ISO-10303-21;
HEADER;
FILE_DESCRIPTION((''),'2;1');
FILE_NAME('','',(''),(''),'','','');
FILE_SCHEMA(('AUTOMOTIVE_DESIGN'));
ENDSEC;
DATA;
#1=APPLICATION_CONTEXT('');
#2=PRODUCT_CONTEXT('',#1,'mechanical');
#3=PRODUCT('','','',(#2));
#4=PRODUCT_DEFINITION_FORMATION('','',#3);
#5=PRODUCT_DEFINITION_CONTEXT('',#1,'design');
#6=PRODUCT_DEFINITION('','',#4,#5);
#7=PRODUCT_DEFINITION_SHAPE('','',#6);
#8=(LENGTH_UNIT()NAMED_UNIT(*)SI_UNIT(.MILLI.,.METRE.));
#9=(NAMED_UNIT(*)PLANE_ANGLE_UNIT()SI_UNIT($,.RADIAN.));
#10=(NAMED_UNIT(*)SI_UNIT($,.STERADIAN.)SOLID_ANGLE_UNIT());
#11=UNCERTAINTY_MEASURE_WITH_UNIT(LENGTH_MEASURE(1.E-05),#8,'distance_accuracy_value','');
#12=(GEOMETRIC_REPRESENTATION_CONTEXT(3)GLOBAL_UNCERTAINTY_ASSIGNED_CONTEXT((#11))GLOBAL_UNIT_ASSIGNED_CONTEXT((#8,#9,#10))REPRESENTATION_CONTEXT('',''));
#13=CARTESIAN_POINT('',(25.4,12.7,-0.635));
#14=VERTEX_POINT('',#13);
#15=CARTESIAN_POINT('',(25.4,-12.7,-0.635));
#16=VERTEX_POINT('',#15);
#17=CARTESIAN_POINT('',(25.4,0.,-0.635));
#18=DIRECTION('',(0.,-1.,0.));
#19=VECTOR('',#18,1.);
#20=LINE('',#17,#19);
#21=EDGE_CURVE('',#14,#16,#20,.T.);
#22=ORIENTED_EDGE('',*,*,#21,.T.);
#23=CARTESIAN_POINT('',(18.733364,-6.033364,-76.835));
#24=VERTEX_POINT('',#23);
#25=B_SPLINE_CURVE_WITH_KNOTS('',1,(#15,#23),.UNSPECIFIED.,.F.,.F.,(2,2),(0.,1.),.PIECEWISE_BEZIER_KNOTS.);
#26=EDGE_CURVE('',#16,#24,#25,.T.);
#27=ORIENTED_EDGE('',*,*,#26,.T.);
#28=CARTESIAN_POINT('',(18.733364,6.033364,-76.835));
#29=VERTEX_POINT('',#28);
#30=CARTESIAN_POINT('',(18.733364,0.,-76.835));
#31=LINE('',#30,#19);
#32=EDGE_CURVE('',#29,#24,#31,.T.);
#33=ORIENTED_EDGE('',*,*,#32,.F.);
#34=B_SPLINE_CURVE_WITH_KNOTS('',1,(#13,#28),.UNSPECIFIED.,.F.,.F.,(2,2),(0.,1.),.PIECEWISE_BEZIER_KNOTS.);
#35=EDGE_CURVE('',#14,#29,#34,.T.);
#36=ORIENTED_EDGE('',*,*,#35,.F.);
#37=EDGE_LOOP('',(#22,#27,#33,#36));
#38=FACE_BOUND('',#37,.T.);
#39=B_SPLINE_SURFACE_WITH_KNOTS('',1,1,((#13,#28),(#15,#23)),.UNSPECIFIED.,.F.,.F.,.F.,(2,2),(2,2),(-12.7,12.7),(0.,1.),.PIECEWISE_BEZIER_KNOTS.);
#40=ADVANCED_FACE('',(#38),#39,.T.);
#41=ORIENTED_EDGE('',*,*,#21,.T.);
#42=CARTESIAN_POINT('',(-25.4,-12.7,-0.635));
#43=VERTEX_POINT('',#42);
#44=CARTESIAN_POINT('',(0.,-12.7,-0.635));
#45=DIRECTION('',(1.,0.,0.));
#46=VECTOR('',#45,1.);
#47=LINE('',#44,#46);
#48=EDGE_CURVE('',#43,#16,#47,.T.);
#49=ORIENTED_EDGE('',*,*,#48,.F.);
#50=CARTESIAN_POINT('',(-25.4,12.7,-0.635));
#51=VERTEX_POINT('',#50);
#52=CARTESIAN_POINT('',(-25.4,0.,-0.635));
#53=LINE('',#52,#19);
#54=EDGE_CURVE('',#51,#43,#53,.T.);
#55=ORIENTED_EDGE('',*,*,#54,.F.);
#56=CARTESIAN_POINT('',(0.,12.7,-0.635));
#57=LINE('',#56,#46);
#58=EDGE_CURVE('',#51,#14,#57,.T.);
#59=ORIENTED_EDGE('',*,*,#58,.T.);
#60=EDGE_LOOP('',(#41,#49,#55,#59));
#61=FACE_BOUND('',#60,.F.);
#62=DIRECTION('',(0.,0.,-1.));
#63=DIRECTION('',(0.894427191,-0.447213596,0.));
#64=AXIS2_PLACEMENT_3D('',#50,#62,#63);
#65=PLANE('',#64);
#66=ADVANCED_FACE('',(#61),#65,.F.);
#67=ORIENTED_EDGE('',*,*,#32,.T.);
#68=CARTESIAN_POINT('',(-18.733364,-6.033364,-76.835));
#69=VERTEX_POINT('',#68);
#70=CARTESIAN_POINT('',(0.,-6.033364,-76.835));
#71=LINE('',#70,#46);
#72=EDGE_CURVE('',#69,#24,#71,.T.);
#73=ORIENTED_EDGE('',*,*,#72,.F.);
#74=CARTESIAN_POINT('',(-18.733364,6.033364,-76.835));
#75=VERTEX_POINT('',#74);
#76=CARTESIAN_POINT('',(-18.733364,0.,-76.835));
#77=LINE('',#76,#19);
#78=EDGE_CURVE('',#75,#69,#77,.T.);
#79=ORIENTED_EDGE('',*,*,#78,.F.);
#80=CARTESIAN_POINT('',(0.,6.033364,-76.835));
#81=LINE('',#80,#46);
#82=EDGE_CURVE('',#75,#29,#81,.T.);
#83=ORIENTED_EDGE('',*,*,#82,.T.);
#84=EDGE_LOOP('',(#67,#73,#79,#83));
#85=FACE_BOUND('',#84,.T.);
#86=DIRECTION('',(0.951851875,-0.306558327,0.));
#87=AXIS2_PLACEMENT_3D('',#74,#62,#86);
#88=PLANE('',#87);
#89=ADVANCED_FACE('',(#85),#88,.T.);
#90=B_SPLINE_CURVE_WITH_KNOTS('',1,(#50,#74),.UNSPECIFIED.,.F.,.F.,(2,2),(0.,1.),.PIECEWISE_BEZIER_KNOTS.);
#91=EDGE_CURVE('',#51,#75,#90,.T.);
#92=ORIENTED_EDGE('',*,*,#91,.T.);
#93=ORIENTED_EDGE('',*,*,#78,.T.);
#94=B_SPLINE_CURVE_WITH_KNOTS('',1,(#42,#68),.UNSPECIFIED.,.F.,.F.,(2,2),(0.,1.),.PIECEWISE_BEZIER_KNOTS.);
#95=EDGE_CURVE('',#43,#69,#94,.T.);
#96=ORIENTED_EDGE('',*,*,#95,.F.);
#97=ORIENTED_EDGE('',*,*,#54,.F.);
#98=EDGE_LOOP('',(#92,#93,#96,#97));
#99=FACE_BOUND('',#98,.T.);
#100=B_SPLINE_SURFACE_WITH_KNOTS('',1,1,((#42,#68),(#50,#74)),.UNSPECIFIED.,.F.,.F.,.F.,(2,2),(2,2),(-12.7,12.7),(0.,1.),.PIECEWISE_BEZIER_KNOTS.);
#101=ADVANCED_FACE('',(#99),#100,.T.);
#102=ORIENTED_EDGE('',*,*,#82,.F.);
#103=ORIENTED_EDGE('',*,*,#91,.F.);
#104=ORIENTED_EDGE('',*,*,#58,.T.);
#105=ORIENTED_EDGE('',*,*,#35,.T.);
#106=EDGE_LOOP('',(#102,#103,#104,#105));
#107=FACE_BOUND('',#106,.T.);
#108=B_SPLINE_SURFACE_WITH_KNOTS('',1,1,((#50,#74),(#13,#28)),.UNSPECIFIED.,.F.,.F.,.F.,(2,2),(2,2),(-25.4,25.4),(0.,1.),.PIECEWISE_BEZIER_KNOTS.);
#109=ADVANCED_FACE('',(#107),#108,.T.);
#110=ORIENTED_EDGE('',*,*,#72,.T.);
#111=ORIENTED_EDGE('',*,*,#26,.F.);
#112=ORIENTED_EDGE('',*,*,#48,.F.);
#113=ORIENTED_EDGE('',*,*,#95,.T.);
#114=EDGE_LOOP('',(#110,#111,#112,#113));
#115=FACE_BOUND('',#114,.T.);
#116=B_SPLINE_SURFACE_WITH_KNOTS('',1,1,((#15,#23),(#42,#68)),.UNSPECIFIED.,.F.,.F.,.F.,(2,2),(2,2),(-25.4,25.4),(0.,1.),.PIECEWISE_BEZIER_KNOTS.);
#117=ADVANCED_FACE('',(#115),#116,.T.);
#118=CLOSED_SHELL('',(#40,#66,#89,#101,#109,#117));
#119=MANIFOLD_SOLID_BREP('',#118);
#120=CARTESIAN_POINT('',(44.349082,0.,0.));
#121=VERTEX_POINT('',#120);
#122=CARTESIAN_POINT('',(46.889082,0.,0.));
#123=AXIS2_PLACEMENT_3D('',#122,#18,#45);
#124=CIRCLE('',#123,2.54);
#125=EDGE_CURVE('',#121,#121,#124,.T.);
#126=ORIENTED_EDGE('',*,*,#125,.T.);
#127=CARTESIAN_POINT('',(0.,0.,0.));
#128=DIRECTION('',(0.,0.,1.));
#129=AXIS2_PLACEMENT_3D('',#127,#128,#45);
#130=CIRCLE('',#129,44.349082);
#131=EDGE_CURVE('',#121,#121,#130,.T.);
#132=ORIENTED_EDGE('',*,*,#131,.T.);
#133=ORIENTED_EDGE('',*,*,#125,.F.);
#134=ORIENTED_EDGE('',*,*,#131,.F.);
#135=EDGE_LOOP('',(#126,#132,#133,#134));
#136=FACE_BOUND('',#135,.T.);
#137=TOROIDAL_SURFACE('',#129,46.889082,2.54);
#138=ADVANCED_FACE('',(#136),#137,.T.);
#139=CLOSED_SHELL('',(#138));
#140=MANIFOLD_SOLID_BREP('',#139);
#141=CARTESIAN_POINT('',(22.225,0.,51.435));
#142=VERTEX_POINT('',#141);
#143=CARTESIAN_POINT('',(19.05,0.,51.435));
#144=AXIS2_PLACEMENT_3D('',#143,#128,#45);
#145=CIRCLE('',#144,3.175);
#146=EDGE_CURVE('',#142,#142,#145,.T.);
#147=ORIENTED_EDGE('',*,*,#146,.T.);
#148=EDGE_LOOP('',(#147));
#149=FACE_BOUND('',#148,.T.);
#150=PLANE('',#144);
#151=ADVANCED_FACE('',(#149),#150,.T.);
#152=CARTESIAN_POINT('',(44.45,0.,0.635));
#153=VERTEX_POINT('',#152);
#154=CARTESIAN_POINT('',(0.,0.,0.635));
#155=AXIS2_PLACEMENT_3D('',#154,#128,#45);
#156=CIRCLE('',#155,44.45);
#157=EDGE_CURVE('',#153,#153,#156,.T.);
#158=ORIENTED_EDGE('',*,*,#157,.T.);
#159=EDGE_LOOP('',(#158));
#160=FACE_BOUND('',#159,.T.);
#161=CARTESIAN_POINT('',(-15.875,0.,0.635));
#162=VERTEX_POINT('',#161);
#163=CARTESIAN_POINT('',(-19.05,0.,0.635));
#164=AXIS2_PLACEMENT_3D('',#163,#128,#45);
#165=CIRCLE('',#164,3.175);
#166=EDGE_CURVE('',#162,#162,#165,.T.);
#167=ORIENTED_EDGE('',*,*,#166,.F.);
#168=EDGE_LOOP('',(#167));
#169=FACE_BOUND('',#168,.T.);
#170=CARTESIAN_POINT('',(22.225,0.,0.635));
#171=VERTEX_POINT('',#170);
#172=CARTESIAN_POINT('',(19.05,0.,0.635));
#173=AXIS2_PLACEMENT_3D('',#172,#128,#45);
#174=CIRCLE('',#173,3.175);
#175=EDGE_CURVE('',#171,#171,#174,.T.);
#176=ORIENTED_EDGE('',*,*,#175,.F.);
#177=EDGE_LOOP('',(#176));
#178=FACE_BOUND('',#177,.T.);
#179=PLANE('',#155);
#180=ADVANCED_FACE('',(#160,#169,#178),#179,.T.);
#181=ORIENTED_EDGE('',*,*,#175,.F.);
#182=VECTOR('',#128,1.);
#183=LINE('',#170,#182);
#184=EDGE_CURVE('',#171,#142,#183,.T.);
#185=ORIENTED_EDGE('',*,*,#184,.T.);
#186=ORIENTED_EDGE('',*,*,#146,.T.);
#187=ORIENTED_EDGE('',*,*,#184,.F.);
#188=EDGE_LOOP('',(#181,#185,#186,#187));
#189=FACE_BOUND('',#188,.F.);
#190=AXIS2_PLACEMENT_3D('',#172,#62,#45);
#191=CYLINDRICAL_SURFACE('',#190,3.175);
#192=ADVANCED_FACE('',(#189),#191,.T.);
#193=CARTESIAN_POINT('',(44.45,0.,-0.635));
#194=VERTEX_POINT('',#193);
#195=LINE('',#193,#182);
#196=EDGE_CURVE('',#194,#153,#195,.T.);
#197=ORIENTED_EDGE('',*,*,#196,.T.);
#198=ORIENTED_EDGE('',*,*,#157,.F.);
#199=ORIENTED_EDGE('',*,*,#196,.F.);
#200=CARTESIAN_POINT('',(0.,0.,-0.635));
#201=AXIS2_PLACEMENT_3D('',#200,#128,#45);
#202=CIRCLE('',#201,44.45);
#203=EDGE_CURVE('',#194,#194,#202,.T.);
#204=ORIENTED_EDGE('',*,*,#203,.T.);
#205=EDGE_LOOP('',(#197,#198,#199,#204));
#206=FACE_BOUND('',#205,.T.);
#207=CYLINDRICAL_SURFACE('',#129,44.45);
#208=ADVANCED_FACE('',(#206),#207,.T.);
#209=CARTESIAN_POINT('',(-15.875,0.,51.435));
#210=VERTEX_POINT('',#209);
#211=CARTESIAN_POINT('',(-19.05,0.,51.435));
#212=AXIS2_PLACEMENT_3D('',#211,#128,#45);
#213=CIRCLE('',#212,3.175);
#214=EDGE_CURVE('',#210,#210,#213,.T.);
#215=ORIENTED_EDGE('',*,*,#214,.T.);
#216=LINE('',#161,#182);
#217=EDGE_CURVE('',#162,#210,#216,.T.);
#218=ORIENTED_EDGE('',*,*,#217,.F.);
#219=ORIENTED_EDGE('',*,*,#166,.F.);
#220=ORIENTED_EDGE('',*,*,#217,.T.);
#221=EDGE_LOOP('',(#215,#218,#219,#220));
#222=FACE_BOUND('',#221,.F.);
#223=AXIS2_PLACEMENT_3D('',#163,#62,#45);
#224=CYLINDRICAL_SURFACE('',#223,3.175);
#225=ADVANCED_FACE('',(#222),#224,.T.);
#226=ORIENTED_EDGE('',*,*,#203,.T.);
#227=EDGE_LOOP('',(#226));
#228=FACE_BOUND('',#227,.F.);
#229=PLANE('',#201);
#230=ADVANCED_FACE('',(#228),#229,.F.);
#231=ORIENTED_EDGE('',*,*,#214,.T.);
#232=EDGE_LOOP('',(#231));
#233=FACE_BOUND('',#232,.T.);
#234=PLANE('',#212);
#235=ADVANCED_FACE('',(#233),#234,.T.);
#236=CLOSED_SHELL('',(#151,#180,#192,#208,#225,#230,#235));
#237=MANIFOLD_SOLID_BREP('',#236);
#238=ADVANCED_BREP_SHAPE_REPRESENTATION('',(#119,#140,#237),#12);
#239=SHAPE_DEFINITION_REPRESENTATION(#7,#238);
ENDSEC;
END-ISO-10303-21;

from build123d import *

# Parameters (mm, degrees)
F0_R     = 44.45
F1_DEPTH = 0.635
F3_R     = 2.54
F5_W     = 50.8
F5_H     = 25.4
F6_DEPTH = 76.2
F6_TAPER = 5
F7_R     = 3.175
F9_DEPTH = 50.8


with BuildPart() as f1:
    # F0 (on Top) → F1 (new body, symmetric)
    with BuildSketch(Plane.XY):
        Circle(F0_R)
    extrude(amount=F1_DEPTH, both=True)

    # F7 (on face) → F9 (join, through all)
    with BuildSketch(Plane.XY.offset(0.635)):
        with Locations((-19.05, 0)):
            Circle(F7_R)
        with Locations((19.05, 0)):
            Circle(F7_R)
    extrude(amount=F9_DEPTH)


with BuildPart() as f4:
    # F4: sweep along a path in F2
    with BuildLine(Plane.XY) as f4_path:
        CenterArc((0, 0), 48.26, 0, 360)
    # F3 (on Front) → F4 (sweep)
    with BuildSketch(Plane.XZ):
        with Locations((-46.8890815973, 0)):
            Circle(F3_R)
    sweep(path=f4_path.line)


with BuildPart() as f6:
    # F5 (on face) → F6 (new body)
    with BuildSketch(Plane(origin=(0, 0, -0.635), x_dir=(1, 0, 0), z_dir=(0, 0, -1))):
        Rectangle(F5_W, F5_H)
    extrude(amount=F6_DEPTH, taper=F6_TAPER)


solid = Compound([f1.part, f4.part, f6.part])
